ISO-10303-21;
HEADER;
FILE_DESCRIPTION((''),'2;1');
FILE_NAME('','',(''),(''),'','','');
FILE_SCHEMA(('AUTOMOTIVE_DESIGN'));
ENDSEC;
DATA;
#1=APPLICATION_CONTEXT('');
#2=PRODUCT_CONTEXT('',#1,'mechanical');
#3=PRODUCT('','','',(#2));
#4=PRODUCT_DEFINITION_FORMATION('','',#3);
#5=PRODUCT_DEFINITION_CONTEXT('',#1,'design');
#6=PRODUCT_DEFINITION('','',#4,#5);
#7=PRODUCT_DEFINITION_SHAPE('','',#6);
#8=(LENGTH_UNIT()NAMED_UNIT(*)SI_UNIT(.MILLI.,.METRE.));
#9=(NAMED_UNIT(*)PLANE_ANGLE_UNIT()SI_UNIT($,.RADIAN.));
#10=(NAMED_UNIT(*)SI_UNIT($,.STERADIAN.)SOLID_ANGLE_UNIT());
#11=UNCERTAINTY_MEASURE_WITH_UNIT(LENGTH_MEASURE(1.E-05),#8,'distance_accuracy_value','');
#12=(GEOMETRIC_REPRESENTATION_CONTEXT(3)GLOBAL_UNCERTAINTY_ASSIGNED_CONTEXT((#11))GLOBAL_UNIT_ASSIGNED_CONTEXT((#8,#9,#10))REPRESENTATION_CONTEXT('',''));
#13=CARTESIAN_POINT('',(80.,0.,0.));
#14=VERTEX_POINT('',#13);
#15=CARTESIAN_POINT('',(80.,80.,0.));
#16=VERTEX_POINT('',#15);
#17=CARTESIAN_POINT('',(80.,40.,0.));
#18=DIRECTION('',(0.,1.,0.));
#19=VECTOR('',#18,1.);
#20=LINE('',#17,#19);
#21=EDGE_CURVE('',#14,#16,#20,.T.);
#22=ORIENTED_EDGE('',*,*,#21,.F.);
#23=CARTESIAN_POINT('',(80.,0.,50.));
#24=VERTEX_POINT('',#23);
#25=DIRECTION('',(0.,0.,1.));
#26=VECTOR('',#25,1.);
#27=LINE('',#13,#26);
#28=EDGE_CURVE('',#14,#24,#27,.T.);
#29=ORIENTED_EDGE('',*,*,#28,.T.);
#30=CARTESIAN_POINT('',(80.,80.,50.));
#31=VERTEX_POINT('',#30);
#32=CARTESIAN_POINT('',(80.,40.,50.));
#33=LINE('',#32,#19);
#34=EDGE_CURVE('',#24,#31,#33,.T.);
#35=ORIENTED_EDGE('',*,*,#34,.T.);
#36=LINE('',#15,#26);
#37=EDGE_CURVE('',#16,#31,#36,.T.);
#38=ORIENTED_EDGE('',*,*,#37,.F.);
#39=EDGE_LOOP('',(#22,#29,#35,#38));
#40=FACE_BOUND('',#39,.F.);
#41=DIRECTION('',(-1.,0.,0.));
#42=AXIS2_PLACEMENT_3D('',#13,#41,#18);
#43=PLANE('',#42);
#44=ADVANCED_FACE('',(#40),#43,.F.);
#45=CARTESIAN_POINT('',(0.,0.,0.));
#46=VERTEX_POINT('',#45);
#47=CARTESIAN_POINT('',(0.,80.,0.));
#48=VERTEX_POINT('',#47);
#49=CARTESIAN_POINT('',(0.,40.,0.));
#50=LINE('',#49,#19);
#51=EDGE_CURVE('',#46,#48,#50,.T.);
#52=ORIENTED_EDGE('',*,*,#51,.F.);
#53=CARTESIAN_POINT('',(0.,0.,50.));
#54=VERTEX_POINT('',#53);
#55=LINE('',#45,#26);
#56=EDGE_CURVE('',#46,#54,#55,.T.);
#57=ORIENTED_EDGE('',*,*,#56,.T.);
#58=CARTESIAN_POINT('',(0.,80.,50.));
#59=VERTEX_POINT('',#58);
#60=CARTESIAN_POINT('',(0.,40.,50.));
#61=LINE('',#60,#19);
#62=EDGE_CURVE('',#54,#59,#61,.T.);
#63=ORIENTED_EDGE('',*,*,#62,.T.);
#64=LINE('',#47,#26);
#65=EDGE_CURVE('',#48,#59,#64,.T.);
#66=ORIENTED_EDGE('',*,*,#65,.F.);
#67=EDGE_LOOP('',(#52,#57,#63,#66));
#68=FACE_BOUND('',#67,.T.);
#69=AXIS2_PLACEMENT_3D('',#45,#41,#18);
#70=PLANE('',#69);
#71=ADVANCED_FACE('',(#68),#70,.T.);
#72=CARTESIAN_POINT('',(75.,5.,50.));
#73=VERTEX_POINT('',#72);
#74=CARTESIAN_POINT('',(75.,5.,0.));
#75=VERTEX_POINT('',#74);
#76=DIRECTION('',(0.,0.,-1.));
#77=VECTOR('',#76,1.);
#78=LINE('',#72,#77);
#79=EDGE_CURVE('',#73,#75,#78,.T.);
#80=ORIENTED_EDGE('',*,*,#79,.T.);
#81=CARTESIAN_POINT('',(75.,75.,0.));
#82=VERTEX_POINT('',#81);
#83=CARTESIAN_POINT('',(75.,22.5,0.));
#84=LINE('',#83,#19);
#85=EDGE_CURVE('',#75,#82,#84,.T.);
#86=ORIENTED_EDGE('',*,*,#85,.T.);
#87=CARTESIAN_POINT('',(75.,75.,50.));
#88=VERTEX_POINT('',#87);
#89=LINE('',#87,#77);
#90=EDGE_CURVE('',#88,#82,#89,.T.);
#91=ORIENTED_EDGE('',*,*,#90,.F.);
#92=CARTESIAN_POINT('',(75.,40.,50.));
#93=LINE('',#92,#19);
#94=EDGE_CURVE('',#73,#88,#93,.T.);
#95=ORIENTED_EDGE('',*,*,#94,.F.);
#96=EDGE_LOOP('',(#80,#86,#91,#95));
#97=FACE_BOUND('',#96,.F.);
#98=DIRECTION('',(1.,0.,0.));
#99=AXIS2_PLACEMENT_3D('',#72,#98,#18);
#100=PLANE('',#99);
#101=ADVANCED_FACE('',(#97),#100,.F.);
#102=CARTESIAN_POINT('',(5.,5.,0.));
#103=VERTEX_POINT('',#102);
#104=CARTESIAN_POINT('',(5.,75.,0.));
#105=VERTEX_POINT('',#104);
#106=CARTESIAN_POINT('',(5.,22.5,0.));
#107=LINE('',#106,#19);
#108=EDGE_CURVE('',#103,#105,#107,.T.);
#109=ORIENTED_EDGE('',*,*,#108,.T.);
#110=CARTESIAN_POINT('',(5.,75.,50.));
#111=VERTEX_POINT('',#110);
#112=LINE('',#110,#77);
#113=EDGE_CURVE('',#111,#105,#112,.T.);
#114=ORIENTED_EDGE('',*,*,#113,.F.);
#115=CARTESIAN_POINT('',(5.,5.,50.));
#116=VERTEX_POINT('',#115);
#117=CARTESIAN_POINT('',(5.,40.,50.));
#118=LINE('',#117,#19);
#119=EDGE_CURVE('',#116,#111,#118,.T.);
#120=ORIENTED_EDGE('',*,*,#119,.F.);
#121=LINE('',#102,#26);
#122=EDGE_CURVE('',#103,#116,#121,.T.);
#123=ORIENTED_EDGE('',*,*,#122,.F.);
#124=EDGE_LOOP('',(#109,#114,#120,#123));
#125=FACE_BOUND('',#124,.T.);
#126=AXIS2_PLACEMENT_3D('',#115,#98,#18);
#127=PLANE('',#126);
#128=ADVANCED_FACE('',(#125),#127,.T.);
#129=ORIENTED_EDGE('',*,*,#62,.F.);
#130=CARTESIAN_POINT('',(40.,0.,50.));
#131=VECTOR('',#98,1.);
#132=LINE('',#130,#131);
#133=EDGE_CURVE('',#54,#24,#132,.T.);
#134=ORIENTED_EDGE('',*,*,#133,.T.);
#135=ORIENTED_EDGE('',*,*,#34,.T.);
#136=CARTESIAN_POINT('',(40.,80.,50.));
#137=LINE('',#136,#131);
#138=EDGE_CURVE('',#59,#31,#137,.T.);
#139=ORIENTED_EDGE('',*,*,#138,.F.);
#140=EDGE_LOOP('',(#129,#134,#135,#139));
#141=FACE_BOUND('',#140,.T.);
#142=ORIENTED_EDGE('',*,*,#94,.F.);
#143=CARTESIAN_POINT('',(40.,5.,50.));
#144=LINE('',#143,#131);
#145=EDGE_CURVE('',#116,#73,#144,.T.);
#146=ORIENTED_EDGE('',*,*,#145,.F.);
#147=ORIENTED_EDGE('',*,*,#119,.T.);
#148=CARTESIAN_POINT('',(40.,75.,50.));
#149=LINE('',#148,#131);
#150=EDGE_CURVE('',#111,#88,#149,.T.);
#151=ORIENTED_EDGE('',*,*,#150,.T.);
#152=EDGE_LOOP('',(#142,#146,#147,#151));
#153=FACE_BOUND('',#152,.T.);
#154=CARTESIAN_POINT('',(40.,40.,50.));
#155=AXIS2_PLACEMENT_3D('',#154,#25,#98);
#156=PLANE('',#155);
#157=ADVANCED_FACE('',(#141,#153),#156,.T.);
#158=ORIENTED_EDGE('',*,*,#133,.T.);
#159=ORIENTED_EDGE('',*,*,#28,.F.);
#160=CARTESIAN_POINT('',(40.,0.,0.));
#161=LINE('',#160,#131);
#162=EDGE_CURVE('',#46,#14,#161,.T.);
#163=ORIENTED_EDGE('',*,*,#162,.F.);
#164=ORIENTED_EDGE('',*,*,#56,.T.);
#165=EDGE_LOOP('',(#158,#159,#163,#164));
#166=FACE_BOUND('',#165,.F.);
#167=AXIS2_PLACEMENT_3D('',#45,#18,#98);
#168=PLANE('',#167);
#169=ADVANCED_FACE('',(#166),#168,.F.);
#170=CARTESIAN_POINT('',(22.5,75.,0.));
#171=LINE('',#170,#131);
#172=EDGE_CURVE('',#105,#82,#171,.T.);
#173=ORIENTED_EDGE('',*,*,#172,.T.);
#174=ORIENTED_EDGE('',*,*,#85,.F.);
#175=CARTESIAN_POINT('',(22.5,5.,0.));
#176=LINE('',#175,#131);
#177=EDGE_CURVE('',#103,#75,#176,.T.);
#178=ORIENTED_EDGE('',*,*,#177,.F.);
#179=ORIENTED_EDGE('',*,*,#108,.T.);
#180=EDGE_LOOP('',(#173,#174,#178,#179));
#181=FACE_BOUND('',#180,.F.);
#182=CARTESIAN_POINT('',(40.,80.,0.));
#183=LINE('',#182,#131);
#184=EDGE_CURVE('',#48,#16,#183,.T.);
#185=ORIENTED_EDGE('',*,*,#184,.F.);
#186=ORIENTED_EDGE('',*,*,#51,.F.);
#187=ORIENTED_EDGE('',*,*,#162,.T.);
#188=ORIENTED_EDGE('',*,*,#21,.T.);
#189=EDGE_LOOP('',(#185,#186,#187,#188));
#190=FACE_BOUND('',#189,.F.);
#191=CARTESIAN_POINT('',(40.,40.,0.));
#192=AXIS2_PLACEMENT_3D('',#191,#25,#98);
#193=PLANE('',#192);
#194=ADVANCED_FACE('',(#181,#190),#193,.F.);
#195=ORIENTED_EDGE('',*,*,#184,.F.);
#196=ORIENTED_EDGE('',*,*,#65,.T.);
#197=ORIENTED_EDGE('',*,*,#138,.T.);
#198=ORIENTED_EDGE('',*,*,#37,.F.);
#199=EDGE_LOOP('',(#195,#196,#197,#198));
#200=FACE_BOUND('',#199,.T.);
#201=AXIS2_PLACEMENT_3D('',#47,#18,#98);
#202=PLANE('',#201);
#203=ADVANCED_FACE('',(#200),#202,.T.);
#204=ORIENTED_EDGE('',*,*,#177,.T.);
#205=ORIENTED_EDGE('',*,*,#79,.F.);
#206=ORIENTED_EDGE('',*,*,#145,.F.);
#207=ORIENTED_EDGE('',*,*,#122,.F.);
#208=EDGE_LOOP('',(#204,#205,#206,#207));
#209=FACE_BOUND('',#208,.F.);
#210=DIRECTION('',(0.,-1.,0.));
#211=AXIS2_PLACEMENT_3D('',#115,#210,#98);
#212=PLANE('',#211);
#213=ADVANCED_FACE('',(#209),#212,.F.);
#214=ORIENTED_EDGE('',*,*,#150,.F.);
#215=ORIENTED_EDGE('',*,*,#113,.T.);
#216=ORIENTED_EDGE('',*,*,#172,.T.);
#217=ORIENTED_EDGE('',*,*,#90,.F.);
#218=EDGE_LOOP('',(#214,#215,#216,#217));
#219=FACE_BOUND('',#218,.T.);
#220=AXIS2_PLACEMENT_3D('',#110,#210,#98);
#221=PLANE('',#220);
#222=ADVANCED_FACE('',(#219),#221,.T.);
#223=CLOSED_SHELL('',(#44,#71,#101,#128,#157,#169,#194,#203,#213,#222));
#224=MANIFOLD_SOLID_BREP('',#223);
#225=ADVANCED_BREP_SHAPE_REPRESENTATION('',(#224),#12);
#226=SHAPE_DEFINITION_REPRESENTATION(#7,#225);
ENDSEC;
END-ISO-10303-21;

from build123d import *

# Parameters (mm, degrees)
F0_W     = 80
F0_H     = 80
F1_DEPTH = 50
F2_W     = 70
F2_H     = 70
F3_DEPTH = 40
F4_DEPTH = 50.001


with BuildPart() as f1:
    # F0 (on Top) → F1 (new body)
    with BuildSketch(Plane.XY):
        with Locations((40, 40)):
            Rectangle(F0_W, F0_H)
    extrude(amount=F1_DEPTH)

    # F2 (on face) → F3 (cut)
    with BuildSketch(Plane.XY.offset(50)):
        with Locations((40, 40)):
            Rectangle(F2_W, F2_H)
    extrude(amount=-F3_DEPTH, mode=Mode.SUBTRACT)

    # F2 (on face) → F4 (cut, through all)
    with BuildSketch(Plane.XY.offset(50)):
        with Locations((40, 40)):
            Rectangle(F2_W, F2_H)
    extrude(amount=-F4_DEPTH, mode=Mode.SUBTRACT)


solid = f1.part
